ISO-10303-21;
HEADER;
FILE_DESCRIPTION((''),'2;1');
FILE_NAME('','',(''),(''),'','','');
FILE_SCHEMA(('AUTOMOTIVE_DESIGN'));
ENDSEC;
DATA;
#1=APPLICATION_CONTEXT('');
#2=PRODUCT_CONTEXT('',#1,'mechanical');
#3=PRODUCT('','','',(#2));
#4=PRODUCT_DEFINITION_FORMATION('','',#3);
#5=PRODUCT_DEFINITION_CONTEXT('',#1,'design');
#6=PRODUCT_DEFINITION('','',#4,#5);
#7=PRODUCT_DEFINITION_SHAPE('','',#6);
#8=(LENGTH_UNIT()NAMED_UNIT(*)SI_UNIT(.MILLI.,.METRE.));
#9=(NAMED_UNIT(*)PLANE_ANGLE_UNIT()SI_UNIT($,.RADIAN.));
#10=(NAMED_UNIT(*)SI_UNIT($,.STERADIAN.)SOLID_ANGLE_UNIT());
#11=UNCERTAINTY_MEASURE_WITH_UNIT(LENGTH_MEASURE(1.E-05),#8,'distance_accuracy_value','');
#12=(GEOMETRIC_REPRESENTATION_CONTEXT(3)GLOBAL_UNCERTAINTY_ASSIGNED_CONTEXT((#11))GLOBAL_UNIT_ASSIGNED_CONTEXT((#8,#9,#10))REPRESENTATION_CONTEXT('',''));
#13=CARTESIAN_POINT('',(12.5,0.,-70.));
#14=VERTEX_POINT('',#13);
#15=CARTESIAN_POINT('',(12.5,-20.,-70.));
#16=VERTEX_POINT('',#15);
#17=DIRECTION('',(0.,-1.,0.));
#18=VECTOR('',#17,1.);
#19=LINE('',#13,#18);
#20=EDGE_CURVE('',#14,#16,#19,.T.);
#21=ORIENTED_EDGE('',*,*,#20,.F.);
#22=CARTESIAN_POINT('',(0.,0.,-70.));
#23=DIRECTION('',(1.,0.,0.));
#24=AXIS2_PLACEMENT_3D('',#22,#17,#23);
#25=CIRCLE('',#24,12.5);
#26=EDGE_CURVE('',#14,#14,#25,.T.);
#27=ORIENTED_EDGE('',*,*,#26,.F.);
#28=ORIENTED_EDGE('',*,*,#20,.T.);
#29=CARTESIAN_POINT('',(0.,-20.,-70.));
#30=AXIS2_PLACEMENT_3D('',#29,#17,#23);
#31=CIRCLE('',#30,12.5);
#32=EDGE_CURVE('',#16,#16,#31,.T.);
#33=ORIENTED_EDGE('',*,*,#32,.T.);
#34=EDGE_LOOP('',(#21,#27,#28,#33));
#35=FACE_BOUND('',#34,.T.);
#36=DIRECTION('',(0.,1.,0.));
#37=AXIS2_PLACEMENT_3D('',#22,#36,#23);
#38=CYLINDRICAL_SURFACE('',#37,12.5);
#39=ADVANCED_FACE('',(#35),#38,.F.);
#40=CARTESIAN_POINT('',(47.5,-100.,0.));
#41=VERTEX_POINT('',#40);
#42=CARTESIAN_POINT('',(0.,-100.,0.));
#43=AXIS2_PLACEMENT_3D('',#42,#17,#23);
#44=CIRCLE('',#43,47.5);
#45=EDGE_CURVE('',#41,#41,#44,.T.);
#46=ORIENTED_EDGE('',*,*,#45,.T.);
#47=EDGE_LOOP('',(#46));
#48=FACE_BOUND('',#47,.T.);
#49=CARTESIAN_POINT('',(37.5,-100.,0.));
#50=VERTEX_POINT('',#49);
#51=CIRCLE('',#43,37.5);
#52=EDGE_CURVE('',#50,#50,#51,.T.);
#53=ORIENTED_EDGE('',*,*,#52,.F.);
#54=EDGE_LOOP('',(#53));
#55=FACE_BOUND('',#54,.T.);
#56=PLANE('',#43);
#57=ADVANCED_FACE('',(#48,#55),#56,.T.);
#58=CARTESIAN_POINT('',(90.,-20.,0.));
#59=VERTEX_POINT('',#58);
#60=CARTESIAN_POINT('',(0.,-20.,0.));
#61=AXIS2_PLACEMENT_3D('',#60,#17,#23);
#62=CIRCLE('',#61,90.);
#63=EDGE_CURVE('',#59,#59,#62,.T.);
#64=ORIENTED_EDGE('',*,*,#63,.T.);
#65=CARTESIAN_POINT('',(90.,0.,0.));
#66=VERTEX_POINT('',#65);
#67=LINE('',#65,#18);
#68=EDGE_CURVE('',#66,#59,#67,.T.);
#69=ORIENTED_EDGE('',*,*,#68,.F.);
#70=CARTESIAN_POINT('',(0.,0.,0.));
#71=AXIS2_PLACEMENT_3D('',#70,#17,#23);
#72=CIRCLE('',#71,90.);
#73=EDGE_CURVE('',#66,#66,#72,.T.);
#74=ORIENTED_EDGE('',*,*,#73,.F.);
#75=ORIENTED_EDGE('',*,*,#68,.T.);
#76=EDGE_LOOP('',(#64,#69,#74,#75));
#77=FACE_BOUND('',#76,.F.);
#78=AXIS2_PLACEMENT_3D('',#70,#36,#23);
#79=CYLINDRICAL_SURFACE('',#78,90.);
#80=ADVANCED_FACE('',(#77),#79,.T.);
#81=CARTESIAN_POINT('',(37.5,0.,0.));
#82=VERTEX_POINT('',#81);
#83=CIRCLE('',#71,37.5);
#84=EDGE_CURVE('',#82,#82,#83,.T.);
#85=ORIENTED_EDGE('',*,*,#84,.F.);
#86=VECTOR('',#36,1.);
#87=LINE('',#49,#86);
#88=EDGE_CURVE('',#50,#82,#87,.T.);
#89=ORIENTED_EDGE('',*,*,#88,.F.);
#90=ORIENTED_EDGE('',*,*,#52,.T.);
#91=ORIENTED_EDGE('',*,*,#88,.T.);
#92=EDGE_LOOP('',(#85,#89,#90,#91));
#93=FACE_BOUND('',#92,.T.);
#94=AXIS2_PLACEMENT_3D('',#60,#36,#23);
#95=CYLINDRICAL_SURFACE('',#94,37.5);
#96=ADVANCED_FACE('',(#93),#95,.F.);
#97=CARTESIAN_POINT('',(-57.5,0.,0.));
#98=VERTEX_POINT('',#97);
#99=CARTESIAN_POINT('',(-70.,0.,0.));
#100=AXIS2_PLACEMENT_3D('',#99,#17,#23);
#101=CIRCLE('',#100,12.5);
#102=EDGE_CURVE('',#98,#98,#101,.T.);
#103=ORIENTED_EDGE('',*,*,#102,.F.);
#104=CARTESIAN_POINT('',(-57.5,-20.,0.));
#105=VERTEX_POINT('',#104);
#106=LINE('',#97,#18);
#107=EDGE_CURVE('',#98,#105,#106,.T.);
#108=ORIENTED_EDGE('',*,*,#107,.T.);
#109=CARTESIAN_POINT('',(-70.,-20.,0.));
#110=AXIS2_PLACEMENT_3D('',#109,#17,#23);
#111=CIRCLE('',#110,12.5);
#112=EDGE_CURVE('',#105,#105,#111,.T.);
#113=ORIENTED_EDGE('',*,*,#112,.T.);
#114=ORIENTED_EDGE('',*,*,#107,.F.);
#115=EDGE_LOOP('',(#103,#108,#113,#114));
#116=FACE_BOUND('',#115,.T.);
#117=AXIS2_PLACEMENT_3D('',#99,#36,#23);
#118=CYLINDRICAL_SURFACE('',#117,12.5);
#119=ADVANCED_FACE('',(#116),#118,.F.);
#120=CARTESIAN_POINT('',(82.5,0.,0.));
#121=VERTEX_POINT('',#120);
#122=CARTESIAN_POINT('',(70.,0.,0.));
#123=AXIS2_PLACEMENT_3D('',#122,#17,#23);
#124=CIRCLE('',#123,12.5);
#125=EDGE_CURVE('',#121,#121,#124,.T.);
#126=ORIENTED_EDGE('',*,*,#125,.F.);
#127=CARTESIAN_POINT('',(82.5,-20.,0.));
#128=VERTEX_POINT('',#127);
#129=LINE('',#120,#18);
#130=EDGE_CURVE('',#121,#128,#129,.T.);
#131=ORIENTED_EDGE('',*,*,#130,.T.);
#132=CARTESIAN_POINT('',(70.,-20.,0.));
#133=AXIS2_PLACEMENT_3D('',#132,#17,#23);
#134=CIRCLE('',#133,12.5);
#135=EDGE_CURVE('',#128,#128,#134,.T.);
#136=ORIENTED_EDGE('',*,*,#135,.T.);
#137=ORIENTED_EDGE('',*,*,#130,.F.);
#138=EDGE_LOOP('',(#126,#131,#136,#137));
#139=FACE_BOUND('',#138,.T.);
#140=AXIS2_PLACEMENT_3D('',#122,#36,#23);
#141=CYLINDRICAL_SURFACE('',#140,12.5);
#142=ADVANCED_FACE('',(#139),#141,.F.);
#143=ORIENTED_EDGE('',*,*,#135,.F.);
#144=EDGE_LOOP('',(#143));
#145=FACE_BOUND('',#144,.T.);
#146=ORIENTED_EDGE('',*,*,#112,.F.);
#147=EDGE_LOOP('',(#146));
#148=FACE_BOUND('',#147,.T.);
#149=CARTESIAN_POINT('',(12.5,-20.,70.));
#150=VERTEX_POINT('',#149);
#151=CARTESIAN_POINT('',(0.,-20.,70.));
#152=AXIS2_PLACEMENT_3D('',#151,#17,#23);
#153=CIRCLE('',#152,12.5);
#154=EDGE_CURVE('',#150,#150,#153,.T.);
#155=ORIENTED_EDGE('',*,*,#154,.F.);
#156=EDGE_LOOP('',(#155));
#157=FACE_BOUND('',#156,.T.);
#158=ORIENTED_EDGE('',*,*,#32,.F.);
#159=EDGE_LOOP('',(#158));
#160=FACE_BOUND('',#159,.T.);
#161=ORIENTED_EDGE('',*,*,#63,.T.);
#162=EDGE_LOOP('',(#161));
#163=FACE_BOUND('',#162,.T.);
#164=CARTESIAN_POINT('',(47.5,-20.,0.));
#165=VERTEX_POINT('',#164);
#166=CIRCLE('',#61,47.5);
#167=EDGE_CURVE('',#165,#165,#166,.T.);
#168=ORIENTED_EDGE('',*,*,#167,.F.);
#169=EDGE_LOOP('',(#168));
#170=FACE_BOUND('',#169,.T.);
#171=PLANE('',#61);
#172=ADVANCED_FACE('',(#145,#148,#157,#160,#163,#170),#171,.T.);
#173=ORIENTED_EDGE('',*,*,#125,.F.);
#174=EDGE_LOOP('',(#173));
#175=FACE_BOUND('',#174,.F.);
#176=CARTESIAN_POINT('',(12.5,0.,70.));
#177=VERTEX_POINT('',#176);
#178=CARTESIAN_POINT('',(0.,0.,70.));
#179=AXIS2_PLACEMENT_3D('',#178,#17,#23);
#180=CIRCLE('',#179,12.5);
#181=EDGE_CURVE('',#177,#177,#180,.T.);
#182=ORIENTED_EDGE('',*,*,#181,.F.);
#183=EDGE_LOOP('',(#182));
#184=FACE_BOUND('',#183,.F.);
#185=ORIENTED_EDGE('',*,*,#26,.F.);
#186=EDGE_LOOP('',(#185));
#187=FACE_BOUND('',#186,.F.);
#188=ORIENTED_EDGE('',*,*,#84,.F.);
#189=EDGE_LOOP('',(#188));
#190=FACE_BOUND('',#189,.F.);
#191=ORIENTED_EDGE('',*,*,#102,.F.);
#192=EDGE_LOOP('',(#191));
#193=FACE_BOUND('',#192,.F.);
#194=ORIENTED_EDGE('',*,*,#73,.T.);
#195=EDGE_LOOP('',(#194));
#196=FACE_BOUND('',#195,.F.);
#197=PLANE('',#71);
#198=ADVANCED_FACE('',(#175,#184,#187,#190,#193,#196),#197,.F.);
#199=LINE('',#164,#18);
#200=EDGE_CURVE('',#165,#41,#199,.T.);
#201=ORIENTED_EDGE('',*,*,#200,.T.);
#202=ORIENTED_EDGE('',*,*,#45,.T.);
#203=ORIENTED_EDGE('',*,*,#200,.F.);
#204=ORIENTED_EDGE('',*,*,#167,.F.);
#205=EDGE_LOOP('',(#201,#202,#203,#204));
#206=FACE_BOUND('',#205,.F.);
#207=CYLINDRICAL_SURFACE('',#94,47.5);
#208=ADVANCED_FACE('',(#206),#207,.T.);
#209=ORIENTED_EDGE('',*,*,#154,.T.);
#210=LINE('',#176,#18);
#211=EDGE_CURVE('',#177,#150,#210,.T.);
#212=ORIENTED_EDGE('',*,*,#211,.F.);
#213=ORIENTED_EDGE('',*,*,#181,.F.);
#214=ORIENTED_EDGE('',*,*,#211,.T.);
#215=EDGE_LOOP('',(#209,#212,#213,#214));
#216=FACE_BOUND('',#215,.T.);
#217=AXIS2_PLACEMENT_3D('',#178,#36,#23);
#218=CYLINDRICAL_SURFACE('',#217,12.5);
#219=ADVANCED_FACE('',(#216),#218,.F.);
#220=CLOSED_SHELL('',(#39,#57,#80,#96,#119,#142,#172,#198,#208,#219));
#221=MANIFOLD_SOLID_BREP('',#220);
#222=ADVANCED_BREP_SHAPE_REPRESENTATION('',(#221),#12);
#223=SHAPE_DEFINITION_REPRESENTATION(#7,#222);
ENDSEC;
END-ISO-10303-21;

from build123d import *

# Parameters (mm, degrees)
F0_R     = 90
F0_R_2   = 12.5
F0_R_3   = 37.5
F1_DEPTH = 20
F2_R     = 47.5
F2_R_2   = 37.5
F3_DEPTH = 80


with BuildPart() as f1:
    # F0 (on Front) → F1 (new body)
    with BuildSketch(Plane.XZ):
        Circle(F0_R)
        with Locations((0, -70)):
            Circle(F0_R_2, mode=Mode.SUBTRACT)
        with Locations((-70, 0)):
            Circle(F0_R_2, mode=Mode.SUBTRACT)
        Circle(F0_R_3, mode=Mode.SUBTRACT)
        with Locations((70, 0)):
            Circle(F0_R_2, mode=Mode.SUBTRACT)
        with Locations((0, 70)):
            Circle(F0_R_2, mode=Mode.SUBTRACT)
    extrude(amount=F1_DEPTH)

    # F2 (on face) → F3 (join)
    with BuildSketch(Plane.XZ.offset(20)):
        Circle(F2_R)
        Circle(F2_R_2, mode=Mode.SUBTRACT)
    extrude(amount=F3_DEPTH)


solid = f1.part
